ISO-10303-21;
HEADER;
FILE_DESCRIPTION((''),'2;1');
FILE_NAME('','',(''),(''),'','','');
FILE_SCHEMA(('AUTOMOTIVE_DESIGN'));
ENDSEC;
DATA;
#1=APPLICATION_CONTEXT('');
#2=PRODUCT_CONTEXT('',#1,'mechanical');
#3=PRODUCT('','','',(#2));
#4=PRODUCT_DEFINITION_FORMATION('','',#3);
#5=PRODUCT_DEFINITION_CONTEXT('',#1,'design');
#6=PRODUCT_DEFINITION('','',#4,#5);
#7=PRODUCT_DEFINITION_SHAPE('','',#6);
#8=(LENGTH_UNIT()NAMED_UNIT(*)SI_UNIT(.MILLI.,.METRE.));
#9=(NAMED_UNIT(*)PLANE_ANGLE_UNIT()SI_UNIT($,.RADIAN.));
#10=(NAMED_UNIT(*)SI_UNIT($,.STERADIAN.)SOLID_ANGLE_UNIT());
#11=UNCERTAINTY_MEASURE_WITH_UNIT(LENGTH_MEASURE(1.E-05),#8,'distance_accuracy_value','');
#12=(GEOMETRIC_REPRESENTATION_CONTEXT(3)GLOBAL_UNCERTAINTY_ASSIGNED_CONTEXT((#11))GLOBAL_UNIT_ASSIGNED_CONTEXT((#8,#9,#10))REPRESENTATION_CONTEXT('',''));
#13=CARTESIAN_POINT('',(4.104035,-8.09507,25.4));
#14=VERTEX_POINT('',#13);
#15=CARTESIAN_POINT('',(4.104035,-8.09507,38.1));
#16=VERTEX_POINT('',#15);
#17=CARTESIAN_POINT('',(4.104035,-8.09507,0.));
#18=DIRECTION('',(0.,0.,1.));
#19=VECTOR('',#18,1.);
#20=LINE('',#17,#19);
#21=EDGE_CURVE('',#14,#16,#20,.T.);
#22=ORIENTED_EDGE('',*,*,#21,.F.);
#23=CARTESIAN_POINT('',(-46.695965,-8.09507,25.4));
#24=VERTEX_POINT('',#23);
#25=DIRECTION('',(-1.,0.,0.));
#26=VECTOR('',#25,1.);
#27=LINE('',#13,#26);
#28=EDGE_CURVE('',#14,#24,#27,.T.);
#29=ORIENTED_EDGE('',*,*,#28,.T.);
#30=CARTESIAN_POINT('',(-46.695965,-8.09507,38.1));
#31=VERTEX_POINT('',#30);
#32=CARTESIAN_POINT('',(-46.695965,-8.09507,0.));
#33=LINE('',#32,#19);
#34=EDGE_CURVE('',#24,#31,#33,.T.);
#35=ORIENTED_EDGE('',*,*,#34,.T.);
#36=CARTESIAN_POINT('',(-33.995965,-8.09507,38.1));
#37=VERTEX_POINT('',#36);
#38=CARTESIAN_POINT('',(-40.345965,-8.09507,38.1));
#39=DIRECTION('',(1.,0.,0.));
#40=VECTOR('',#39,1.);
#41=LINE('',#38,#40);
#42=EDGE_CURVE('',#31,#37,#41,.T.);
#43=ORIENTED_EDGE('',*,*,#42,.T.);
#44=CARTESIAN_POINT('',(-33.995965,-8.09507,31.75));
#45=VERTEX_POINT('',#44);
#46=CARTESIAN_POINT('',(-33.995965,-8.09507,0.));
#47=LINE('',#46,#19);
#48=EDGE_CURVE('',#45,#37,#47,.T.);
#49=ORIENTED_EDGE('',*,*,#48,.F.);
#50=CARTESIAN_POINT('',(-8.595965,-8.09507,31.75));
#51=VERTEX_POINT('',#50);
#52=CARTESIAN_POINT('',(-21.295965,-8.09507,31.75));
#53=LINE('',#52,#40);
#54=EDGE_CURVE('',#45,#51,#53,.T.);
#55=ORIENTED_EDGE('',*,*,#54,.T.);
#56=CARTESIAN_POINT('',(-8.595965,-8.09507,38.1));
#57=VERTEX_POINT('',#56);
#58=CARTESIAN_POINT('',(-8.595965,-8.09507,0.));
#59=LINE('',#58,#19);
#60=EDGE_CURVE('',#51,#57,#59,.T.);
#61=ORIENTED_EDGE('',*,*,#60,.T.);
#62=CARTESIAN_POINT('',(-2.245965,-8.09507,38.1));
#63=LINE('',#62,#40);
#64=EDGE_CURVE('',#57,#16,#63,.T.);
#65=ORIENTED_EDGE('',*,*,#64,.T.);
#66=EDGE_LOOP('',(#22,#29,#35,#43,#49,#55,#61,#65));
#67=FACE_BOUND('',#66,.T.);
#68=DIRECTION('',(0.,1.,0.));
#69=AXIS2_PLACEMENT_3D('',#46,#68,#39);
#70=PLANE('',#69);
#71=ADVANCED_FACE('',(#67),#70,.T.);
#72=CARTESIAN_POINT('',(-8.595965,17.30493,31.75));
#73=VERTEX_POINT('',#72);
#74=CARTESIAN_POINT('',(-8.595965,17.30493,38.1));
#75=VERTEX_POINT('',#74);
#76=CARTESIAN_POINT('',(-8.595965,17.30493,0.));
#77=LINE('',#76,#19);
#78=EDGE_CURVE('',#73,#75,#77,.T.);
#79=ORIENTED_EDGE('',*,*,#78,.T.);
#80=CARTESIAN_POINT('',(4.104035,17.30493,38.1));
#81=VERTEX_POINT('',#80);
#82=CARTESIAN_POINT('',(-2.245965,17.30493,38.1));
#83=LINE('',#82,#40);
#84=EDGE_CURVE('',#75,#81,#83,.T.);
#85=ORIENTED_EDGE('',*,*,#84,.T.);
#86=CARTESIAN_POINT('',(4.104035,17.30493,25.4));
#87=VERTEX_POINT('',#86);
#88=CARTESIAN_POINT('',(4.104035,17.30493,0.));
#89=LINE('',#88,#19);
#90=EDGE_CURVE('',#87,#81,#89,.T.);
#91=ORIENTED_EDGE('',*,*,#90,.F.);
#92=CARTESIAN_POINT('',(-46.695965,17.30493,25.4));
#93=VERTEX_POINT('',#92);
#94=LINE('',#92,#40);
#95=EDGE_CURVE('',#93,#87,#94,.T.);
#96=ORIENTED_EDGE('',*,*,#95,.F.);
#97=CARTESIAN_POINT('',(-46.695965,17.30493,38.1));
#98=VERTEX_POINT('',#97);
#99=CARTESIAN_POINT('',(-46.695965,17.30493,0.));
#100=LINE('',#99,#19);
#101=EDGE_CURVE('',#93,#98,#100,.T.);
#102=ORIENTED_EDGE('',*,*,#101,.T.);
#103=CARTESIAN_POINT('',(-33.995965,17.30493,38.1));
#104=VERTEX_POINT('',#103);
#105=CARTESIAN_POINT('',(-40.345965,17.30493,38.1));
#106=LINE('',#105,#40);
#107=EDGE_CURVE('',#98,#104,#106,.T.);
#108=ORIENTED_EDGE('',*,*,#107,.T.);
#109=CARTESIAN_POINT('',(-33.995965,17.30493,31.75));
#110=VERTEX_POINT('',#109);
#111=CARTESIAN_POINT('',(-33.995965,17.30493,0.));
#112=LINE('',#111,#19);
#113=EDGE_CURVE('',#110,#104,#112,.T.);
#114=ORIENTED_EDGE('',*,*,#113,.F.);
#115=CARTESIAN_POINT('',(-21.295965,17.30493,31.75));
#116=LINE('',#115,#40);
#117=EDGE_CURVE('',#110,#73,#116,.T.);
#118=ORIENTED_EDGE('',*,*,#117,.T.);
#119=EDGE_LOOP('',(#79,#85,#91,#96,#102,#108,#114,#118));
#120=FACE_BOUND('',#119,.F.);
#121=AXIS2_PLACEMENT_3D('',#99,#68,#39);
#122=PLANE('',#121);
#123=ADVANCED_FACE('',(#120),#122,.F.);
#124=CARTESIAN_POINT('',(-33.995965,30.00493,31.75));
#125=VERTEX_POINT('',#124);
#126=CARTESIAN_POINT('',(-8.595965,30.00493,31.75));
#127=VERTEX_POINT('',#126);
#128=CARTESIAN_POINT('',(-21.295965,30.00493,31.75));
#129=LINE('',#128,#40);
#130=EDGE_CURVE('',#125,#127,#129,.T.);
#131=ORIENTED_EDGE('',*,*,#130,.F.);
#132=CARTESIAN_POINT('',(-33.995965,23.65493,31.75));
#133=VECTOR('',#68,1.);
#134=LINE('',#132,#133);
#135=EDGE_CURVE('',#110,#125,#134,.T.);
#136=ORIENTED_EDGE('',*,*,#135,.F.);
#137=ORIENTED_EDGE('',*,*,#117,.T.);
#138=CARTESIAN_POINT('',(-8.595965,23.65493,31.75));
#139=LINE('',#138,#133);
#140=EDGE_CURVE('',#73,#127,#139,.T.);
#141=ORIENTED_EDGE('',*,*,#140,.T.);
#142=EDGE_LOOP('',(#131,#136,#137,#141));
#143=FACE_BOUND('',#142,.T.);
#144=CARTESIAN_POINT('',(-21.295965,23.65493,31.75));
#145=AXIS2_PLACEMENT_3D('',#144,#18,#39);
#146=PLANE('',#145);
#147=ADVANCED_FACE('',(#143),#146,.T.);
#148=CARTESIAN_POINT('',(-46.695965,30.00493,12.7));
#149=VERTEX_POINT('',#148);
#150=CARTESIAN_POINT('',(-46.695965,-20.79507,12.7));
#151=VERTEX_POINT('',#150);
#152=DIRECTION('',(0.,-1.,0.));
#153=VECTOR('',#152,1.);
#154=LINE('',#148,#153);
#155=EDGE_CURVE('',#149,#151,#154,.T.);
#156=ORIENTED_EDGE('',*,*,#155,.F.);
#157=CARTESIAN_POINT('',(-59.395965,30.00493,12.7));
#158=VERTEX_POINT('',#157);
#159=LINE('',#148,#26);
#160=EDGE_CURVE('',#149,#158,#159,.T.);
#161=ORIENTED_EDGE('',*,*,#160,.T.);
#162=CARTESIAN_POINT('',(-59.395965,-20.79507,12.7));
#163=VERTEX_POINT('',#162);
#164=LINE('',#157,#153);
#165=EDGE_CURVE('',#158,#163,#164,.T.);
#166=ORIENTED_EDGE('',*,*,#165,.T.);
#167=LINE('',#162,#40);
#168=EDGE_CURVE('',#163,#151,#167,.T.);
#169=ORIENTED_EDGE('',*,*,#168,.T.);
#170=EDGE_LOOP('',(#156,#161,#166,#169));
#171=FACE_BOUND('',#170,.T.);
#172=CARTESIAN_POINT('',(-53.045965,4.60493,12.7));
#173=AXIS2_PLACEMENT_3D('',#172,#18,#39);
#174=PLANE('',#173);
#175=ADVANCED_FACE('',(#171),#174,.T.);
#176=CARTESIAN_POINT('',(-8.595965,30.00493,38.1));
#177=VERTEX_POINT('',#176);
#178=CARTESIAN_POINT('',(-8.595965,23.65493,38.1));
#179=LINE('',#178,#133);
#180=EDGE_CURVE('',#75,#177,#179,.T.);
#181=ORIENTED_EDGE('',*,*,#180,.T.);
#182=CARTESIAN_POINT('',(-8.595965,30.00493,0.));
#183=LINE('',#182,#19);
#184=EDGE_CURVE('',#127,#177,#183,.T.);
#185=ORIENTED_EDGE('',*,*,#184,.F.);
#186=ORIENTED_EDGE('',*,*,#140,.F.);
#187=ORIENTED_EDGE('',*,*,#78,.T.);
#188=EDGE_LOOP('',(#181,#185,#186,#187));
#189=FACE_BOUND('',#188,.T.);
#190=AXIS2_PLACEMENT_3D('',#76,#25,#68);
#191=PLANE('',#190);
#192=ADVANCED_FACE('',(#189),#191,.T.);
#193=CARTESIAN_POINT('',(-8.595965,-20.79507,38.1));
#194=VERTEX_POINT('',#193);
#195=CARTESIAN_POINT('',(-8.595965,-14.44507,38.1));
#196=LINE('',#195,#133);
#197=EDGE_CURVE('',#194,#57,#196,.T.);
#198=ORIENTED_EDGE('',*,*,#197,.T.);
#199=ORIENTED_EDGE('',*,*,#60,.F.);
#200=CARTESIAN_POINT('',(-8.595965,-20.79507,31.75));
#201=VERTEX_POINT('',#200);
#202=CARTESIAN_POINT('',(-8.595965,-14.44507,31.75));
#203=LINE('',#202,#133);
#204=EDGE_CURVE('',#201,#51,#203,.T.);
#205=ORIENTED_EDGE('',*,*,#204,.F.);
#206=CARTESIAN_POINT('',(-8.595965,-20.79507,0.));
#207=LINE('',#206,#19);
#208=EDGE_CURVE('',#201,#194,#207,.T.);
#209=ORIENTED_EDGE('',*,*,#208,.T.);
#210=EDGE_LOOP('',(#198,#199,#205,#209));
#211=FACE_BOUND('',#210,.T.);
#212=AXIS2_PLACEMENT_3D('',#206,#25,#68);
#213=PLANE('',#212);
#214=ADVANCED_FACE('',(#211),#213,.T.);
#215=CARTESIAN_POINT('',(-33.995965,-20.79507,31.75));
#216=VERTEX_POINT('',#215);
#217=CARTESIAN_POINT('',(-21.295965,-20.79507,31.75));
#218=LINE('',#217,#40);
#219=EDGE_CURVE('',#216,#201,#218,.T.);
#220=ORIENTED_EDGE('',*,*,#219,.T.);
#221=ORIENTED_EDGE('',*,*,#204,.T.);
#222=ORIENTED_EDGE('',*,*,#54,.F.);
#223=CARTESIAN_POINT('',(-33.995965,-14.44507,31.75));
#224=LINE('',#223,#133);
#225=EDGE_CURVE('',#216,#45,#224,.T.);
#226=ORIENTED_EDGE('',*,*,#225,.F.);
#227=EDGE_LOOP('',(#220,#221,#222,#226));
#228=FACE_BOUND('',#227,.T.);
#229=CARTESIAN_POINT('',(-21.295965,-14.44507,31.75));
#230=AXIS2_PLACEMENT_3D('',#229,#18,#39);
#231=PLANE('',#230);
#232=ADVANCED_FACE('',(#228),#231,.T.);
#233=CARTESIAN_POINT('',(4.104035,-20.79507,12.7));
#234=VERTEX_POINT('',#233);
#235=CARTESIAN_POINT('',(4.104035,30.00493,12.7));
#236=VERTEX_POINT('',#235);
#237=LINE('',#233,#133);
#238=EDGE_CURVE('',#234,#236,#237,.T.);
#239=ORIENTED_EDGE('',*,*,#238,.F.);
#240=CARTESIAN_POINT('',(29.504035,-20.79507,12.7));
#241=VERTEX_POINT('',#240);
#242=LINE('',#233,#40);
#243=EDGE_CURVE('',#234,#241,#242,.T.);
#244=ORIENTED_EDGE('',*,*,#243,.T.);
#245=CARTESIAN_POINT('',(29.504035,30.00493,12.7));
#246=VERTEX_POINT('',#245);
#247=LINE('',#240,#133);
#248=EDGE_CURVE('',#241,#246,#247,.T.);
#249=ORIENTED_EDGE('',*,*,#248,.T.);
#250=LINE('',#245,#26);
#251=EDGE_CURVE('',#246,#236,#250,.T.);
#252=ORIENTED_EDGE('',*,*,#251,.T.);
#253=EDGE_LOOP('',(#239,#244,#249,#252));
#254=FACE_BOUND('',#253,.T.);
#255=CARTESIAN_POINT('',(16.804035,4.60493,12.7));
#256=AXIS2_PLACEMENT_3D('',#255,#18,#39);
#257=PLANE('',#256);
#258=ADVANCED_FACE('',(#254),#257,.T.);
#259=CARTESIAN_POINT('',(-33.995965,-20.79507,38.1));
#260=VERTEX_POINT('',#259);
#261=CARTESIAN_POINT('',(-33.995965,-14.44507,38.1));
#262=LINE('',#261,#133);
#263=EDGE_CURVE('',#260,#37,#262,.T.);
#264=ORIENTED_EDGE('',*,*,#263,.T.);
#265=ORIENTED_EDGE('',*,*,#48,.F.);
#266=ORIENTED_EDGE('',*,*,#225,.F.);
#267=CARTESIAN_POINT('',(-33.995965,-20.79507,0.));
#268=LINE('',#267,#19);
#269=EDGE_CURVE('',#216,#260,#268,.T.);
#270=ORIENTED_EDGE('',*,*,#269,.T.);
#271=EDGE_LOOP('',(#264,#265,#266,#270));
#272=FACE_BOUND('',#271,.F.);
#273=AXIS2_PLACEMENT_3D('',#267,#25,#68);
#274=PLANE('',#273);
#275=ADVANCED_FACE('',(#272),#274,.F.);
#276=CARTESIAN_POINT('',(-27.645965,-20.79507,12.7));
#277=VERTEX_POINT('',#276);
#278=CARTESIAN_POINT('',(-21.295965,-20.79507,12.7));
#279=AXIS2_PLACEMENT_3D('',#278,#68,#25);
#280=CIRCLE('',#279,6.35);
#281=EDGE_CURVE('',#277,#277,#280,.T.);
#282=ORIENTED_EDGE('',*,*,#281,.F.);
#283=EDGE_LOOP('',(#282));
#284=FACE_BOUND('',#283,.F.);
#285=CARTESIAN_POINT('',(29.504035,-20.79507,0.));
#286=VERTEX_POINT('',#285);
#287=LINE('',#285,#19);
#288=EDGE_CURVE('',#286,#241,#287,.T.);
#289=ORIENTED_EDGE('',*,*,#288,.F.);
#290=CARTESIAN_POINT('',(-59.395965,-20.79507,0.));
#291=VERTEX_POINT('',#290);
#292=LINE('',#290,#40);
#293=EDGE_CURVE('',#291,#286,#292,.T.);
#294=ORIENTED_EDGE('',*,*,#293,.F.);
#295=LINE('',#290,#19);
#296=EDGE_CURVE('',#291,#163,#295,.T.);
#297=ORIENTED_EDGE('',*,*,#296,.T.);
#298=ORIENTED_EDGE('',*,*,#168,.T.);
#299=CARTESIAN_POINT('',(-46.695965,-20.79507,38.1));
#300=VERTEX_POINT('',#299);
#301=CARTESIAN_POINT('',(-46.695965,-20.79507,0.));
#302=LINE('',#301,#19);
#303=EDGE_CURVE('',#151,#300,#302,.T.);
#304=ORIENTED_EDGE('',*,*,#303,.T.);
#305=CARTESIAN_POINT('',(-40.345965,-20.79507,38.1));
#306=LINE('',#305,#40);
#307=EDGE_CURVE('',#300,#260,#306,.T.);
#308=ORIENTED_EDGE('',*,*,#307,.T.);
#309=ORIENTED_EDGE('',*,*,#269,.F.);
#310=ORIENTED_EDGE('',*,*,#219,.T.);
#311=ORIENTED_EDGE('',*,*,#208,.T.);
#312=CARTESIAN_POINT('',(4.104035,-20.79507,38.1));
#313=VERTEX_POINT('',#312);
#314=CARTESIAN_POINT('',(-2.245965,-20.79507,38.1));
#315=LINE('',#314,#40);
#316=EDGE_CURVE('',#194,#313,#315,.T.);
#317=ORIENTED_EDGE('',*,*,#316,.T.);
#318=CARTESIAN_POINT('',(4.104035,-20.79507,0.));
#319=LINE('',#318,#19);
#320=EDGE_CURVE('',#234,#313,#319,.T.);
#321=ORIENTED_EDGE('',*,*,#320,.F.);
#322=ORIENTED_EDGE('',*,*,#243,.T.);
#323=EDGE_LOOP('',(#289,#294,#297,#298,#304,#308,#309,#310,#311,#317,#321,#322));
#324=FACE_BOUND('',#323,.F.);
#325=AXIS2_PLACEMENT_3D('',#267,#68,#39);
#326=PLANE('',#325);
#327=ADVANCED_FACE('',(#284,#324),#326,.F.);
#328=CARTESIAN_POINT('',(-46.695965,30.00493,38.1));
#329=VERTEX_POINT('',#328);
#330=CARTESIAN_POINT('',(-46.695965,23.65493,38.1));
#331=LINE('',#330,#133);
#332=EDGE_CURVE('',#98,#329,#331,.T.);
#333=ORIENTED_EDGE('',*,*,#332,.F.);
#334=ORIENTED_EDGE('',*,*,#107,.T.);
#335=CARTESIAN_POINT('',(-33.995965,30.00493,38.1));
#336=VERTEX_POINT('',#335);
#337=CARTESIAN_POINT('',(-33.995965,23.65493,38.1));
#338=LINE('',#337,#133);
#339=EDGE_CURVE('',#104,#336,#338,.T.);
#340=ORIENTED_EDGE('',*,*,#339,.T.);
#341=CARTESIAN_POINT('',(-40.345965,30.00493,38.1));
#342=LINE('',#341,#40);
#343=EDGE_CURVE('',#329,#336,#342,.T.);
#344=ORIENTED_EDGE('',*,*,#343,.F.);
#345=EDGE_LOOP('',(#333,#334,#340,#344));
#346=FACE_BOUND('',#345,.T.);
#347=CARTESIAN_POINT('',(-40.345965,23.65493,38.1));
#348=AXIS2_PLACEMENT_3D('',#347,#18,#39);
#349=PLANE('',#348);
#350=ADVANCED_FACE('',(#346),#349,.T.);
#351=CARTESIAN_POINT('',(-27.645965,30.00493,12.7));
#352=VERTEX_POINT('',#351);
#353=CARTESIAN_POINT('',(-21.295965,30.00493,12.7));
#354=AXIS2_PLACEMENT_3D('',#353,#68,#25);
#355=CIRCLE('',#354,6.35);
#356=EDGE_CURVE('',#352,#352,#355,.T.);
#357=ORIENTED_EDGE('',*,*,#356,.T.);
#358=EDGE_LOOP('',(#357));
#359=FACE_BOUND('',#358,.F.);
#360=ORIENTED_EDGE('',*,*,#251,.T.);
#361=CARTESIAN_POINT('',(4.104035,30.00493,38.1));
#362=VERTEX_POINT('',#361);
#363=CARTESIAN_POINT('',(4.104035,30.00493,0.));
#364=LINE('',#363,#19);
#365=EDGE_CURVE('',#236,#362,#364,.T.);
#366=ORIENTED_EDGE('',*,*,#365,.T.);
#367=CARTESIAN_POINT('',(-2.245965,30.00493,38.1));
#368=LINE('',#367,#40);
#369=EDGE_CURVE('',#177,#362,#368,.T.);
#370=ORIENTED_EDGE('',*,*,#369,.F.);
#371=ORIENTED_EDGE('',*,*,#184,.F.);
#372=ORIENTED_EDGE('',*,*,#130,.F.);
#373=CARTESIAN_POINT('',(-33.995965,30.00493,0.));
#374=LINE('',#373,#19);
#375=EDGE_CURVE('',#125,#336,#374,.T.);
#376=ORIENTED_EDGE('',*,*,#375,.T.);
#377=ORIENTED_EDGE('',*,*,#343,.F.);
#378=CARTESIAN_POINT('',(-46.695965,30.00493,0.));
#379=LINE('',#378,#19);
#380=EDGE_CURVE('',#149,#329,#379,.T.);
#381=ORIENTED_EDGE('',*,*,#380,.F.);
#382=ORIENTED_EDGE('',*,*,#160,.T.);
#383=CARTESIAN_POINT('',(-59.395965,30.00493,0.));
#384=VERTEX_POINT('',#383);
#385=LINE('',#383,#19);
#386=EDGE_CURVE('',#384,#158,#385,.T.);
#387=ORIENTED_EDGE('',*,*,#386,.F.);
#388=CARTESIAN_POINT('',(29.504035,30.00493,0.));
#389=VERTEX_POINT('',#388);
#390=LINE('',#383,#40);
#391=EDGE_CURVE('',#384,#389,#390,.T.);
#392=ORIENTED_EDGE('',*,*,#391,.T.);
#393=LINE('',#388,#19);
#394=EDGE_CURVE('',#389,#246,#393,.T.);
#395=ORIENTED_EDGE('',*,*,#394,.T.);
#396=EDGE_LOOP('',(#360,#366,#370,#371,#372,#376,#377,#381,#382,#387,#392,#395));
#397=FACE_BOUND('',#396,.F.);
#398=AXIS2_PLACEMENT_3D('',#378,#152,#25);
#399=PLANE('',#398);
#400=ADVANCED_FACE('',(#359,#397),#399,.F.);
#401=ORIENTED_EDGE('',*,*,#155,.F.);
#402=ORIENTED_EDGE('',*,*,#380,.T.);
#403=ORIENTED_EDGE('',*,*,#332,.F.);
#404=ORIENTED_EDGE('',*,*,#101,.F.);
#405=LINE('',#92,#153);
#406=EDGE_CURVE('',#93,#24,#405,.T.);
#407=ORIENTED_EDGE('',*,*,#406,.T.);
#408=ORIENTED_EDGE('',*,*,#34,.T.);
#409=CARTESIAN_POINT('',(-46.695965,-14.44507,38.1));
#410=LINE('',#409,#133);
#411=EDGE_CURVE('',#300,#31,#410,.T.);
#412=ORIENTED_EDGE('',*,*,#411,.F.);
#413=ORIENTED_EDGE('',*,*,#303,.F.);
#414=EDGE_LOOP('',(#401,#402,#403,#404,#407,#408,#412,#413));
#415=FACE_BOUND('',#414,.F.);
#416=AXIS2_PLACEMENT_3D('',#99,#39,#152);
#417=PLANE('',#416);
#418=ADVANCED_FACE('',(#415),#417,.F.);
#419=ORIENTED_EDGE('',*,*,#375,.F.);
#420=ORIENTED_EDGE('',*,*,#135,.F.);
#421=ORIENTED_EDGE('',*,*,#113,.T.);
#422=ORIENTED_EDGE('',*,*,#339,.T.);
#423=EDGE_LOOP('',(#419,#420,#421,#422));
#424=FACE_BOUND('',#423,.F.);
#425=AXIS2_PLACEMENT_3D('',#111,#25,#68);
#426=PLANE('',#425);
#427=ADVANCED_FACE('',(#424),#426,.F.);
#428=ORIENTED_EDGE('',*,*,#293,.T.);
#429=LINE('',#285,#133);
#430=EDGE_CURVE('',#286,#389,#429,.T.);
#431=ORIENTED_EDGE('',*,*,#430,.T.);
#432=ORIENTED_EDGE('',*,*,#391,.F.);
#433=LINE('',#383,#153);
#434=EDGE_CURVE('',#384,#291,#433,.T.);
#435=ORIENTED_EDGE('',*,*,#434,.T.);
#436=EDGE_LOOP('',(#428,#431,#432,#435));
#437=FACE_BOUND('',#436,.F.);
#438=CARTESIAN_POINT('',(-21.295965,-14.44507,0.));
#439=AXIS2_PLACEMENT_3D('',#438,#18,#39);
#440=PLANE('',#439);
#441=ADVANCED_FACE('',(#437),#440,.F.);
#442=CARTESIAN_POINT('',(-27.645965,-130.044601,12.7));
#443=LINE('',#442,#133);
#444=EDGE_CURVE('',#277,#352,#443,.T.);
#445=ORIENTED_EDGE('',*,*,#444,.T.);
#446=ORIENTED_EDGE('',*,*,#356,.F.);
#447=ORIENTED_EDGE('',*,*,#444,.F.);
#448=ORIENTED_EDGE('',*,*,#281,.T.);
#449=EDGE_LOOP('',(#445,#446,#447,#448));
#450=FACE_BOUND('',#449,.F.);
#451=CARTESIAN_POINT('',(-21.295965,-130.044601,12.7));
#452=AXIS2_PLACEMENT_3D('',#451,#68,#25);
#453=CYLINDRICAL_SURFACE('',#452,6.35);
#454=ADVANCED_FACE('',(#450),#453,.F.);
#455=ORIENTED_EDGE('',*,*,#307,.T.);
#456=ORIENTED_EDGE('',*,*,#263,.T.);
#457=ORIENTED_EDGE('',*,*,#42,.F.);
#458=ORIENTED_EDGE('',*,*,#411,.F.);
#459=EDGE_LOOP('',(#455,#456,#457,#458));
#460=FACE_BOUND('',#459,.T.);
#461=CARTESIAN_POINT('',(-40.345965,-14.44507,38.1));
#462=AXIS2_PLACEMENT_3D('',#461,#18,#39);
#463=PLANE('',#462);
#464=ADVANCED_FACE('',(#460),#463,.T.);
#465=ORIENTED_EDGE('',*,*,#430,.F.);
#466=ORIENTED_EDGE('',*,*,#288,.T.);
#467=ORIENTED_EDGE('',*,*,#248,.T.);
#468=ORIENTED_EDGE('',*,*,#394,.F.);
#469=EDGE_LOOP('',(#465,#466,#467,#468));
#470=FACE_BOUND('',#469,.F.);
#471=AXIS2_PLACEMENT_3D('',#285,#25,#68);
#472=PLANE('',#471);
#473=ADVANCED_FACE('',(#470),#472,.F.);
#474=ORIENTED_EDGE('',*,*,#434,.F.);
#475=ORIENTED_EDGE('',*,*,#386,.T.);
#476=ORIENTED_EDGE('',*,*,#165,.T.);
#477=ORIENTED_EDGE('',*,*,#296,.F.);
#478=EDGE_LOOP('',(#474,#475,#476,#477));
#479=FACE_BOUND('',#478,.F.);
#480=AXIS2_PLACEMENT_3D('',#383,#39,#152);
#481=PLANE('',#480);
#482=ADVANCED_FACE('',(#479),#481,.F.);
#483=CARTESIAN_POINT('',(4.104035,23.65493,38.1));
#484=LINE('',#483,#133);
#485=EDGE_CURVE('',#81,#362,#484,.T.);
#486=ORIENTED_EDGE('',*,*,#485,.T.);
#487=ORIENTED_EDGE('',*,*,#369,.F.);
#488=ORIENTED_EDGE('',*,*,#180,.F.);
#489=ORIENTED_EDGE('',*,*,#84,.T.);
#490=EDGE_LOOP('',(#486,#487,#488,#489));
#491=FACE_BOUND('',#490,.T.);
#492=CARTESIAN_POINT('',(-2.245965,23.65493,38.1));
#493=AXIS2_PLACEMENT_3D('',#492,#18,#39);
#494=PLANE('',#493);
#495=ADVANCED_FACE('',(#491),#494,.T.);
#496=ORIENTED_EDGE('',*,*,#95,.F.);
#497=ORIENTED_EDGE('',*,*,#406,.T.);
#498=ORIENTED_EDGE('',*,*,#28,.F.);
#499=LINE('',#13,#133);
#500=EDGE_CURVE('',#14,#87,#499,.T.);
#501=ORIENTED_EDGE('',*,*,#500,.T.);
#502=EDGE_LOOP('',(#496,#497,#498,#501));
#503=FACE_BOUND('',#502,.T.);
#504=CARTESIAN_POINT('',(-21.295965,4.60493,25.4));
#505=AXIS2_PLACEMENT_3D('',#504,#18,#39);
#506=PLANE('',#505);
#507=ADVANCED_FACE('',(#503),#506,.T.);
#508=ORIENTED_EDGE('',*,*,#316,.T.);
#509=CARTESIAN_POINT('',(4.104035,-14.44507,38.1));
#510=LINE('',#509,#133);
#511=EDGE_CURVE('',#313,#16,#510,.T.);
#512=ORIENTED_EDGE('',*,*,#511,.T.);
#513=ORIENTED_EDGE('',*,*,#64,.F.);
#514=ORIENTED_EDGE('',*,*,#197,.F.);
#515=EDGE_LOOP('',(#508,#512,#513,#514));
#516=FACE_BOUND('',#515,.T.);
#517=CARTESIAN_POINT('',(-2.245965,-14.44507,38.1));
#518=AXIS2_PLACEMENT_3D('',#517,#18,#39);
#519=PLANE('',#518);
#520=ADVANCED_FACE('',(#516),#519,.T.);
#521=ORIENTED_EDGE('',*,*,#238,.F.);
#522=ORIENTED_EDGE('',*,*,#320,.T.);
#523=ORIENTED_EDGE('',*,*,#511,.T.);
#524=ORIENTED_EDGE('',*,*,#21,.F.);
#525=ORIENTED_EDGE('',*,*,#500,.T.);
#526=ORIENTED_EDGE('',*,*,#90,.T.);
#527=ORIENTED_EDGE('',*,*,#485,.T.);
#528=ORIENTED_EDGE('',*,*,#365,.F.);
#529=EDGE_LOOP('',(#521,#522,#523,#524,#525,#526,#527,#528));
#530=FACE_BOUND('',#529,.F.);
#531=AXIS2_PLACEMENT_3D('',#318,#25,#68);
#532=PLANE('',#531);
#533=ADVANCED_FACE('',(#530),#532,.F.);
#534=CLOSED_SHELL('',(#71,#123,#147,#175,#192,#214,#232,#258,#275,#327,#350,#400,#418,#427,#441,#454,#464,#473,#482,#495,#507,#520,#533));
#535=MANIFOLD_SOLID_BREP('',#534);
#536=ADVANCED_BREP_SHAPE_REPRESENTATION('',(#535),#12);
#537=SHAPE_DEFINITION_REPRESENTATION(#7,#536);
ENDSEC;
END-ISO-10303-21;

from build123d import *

# Parameters (mm, degrees)
F1_DEPTH = 12.7
F2_DEPTH = 25.4
F0_W     = 12.7
F0_H     = 12.7
F3_DEPTH = 38.1
F0_W_2   = 25.4
F4_DEPTH = 31.75
F7_D     = 12.7


with BuildPart() as f1:
    # F0 (on Top) → F1 (new body)
    with BuildSketch(Plane.XY):
        Polygon((29.504035, 30.00493), (4.104035, 30.00493), (4.104035, 17.30493), (4.104035, -8.09507), (4.104035, -20.79507), (29.504035, -20.79507), align=None)
        Polygon((-46.695965, 30.00493), (-59.395965, 30.00493), (-59.395965, -20.79507), (-46.695965, -20.79507), (-46.695965, -8.09507), (-46.695965, 17.30493), align=None)
    extrude(amount=F1_DEPTH)


with BuildPart() as f2:
    # F0 (on Top) → F2 (new body)
    with BuildSketch(Plane.XY):
        Polygon((-33.995965, 17.30493), (-46.695965, 17.30493), (-46.695965, -8.09507), (-33.995965, -8.09507), (-8.595965, -8.09507), (4.104035, -8.09507), (4.104035, 17.30493), (-8.595965, 17.30493), align=None)
    extrude(amount=F2_DEPTH)


with BuildPart() as f3:
    # F0 (on Top) → F3 (new body)
    with BuildSketch(Plane.XY):
        with Locations((-40.345965, -14.44507)):
            Rectangle(F0_W, F0_H)
        with Locations((-40.345965, 23.65493)):
            Rectangle(F0_W, F0_H)
        with Locations((-2.245965, 23.65493)):
            Rectangle(F0_W, F0_H)
        with Locations((-2.245965, -14.44507)):
            Rectangle(F0_W, F0_H)
    extrude(amount=F3_DEPTH)


with BuildPart() as f4:
    # F0 (on Top) → F4 (new body)
    with BuildSketch(Plane.XY):
        with Locations((-21.295965, 23.65493)):
            Rectangle(F0_W_2, F0_H)
        with Locations((-21.295965, -14.44507)):
            Rectangle(F0_W_2, F0_H)
    extrude(amount=F4_DEPTH)


with BuildPart() as f1_1:
    add(f1.part)

    # F5: union F2, F3, F4
    add(f2.part)
    add(f3.part)
    add(f4.part)

    # F7 (through all)
    with Locations(Plane.XZ.offset(20.79507)):
        with Locations((-21.295965, 12.7)):
            Hole(F7_D / 2)


solid = f1_1.part
